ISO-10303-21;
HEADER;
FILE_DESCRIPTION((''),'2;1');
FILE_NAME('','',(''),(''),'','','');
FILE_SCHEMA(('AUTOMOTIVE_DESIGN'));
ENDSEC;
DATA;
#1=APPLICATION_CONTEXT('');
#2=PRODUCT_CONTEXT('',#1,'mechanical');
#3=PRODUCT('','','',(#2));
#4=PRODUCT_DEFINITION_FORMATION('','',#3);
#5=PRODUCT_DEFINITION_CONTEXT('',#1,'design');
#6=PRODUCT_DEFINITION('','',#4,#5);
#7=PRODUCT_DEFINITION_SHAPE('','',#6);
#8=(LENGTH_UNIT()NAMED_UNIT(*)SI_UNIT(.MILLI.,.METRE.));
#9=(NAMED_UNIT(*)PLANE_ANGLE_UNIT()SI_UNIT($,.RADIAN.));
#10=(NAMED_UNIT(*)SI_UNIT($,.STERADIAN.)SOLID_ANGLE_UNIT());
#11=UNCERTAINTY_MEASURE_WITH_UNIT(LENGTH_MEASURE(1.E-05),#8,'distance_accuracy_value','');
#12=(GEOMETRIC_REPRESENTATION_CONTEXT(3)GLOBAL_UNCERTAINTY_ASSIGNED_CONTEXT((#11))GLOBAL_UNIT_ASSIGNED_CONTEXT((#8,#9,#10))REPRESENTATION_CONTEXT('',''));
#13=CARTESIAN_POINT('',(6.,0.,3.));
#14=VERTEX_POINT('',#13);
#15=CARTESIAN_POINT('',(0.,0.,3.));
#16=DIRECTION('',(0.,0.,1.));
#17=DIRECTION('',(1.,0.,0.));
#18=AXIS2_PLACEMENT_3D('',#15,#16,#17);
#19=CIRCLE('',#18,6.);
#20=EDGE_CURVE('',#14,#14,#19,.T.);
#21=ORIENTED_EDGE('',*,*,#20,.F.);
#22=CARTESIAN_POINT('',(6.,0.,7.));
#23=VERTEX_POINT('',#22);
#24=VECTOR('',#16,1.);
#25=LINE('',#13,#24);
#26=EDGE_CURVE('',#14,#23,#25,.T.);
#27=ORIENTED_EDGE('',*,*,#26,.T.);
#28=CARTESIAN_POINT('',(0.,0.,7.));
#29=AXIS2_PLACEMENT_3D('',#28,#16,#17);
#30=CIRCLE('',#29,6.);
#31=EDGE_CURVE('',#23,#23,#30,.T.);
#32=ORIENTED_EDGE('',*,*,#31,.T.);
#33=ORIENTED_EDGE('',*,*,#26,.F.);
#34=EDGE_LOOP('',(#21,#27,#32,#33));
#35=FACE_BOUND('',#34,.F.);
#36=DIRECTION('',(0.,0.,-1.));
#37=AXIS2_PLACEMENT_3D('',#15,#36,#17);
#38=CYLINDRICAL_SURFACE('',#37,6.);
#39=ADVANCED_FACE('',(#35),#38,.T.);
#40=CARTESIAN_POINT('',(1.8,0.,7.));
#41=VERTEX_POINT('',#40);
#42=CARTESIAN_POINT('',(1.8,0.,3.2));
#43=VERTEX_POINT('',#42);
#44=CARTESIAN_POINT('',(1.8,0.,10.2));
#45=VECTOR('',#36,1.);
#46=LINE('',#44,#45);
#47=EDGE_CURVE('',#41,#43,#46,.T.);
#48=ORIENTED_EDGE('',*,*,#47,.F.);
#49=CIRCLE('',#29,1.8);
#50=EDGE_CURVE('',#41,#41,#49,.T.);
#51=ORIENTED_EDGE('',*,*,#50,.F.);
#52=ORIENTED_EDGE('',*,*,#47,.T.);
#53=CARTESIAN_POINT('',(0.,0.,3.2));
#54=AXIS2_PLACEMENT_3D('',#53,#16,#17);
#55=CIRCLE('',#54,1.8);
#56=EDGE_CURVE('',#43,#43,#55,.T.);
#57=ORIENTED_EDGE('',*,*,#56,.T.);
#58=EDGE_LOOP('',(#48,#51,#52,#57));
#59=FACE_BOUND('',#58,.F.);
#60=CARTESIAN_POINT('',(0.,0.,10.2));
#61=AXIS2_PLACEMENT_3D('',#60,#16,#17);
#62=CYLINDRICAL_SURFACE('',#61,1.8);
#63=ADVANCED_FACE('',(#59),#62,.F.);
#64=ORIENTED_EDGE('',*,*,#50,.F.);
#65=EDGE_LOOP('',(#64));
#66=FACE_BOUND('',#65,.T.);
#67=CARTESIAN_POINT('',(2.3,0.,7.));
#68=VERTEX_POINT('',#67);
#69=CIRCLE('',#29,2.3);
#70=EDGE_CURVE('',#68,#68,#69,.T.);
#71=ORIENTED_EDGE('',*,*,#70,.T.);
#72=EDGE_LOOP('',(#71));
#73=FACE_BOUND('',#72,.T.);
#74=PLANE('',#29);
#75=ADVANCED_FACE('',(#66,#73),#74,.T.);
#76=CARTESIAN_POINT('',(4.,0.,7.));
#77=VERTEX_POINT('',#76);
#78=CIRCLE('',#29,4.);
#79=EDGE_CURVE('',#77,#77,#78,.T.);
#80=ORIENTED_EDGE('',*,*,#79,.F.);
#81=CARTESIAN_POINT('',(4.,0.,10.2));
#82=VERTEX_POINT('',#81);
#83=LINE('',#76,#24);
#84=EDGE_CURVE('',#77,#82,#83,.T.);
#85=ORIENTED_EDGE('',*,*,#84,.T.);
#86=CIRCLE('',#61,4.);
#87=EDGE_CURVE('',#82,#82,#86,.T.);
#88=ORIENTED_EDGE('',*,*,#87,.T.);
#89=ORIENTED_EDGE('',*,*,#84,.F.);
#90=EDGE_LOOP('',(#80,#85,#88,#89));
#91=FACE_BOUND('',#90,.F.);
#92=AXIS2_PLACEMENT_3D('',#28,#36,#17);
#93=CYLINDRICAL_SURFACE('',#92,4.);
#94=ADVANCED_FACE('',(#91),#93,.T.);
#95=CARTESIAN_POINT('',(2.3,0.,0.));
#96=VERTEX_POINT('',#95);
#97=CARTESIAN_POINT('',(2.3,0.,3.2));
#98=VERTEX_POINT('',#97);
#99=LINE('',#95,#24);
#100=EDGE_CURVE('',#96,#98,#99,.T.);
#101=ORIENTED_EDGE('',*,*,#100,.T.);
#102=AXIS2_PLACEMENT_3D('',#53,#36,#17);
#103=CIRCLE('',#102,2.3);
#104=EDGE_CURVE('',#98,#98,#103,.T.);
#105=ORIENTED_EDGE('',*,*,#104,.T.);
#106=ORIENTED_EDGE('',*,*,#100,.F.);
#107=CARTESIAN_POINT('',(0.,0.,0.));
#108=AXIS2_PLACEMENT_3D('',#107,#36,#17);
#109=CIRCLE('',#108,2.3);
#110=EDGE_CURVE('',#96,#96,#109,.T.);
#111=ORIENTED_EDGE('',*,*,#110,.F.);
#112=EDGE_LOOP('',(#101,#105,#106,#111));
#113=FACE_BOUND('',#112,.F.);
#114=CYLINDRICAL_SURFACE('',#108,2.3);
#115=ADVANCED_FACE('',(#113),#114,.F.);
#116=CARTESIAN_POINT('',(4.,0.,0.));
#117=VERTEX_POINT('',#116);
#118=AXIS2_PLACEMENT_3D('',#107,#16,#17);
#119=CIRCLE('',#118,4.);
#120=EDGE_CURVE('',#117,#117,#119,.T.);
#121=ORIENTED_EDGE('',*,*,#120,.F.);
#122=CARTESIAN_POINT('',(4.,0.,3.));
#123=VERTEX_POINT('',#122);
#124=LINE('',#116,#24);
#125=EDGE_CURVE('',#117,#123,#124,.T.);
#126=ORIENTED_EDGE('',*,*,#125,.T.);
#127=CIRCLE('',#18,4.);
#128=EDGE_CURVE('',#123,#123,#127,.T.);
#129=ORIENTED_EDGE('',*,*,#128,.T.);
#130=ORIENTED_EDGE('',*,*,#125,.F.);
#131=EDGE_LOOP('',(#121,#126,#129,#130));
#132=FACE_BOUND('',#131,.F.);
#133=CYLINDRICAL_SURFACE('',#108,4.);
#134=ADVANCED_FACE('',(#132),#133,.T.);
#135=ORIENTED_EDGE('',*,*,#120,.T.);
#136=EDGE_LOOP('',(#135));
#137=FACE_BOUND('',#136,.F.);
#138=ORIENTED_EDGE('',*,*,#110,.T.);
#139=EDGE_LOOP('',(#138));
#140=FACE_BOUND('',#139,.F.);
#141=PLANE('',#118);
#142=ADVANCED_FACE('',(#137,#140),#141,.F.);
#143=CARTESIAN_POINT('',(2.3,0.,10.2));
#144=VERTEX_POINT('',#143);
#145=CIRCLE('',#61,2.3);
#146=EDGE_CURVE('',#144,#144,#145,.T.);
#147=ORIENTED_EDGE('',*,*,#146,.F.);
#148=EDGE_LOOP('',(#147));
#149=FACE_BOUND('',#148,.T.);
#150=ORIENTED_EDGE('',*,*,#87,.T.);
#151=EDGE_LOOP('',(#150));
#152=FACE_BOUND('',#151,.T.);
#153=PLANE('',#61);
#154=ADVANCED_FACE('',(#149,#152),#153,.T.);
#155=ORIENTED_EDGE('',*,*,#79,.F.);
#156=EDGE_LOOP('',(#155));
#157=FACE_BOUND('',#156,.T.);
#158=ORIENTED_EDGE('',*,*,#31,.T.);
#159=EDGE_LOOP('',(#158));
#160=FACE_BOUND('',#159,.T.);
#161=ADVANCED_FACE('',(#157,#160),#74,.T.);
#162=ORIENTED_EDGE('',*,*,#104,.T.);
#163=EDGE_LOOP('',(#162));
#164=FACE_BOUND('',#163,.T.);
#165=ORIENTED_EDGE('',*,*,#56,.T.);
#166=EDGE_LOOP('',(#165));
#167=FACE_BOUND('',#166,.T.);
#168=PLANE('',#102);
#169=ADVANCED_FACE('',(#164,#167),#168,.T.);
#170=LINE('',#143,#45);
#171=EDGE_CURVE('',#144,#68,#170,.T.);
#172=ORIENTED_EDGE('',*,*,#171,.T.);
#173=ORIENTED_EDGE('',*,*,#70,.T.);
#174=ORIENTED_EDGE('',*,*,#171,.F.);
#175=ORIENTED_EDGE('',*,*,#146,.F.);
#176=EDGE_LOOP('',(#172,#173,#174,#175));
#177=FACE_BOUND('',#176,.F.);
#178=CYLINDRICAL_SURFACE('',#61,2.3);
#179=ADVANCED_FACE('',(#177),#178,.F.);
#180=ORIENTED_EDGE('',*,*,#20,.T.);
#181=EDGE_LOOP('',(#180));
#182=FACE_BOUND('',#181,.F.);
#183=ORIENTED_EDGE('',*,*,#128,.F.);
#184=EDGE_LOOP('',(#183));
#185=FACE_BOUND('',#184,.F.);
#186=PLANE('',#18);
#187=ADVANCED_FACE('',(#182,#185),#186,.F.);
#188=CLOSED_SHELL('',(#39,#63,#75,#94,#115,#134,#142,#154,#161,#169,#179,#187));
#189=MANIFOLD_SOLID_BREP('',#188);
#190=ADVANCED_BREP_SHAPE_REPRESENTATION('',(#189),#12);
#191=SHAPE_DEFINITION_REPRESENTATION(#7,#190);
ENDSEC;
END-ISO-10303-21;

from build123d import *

# Parameters (mm, degrees)
F0_R      = 4
F1_DEPTH  = 3
F2_R      = 6
F3_DEPTH  = 4
F4_R      = 4
F5_DEPTH  = 3.2
F6_R      = 1.8
F7_DEPTH  = 10.201
F8_R      = 2.3
F9_DEPTH  = 3.2
F10_R     = 2.3
F11_DEPTH = 3.2


with BuildPart() as f1:
    # F0 (on Top) → F1 (new body)
    with BuildSketch(Plane.XY):
        Circle(F0_R)
    extrude(amount=F1_DEPTH)

    # F2 (on face) → F3 (join)
    with BuildSketch(Plane.XY.offset(3)):
        Circle(F2_R)
    extrude(amount=F3_DEPTH)

    # F4 (on face) → F5 (join)
    with BuildSketch(Plane.XY.offset(7)):
        Circle(F4_R)
    extrude(amount=F5_DEPTH)

    # F6 (on face) → F7 (cut, through all)
    with BuildSketch(Plane.XY.offset(10.2)):
        Circle(F6_R)
    extrude(amount=-F7_DEPTH, mode=Mode.SUBTRACT)

    # F8 (on face) → F9 (cut)
    with BuildSketch(Plane(origin=(0, 0, 0), x_dir=(1, 0, 0), z_dir=(0, 0, -1))):
        Circle(F8_R)
    extrude(amount=-F9_DEPTH, mode=Mode.SUBTRACT)

    # F10 (on face) → F11 (cut)
    with BuildSketch(Plane.XY.offset(10.2)):
        Circle(F10_R)
    extrude(amount=-F11_DEPTH, mode=Mode.SUBTRACT)


solid = f1.part
